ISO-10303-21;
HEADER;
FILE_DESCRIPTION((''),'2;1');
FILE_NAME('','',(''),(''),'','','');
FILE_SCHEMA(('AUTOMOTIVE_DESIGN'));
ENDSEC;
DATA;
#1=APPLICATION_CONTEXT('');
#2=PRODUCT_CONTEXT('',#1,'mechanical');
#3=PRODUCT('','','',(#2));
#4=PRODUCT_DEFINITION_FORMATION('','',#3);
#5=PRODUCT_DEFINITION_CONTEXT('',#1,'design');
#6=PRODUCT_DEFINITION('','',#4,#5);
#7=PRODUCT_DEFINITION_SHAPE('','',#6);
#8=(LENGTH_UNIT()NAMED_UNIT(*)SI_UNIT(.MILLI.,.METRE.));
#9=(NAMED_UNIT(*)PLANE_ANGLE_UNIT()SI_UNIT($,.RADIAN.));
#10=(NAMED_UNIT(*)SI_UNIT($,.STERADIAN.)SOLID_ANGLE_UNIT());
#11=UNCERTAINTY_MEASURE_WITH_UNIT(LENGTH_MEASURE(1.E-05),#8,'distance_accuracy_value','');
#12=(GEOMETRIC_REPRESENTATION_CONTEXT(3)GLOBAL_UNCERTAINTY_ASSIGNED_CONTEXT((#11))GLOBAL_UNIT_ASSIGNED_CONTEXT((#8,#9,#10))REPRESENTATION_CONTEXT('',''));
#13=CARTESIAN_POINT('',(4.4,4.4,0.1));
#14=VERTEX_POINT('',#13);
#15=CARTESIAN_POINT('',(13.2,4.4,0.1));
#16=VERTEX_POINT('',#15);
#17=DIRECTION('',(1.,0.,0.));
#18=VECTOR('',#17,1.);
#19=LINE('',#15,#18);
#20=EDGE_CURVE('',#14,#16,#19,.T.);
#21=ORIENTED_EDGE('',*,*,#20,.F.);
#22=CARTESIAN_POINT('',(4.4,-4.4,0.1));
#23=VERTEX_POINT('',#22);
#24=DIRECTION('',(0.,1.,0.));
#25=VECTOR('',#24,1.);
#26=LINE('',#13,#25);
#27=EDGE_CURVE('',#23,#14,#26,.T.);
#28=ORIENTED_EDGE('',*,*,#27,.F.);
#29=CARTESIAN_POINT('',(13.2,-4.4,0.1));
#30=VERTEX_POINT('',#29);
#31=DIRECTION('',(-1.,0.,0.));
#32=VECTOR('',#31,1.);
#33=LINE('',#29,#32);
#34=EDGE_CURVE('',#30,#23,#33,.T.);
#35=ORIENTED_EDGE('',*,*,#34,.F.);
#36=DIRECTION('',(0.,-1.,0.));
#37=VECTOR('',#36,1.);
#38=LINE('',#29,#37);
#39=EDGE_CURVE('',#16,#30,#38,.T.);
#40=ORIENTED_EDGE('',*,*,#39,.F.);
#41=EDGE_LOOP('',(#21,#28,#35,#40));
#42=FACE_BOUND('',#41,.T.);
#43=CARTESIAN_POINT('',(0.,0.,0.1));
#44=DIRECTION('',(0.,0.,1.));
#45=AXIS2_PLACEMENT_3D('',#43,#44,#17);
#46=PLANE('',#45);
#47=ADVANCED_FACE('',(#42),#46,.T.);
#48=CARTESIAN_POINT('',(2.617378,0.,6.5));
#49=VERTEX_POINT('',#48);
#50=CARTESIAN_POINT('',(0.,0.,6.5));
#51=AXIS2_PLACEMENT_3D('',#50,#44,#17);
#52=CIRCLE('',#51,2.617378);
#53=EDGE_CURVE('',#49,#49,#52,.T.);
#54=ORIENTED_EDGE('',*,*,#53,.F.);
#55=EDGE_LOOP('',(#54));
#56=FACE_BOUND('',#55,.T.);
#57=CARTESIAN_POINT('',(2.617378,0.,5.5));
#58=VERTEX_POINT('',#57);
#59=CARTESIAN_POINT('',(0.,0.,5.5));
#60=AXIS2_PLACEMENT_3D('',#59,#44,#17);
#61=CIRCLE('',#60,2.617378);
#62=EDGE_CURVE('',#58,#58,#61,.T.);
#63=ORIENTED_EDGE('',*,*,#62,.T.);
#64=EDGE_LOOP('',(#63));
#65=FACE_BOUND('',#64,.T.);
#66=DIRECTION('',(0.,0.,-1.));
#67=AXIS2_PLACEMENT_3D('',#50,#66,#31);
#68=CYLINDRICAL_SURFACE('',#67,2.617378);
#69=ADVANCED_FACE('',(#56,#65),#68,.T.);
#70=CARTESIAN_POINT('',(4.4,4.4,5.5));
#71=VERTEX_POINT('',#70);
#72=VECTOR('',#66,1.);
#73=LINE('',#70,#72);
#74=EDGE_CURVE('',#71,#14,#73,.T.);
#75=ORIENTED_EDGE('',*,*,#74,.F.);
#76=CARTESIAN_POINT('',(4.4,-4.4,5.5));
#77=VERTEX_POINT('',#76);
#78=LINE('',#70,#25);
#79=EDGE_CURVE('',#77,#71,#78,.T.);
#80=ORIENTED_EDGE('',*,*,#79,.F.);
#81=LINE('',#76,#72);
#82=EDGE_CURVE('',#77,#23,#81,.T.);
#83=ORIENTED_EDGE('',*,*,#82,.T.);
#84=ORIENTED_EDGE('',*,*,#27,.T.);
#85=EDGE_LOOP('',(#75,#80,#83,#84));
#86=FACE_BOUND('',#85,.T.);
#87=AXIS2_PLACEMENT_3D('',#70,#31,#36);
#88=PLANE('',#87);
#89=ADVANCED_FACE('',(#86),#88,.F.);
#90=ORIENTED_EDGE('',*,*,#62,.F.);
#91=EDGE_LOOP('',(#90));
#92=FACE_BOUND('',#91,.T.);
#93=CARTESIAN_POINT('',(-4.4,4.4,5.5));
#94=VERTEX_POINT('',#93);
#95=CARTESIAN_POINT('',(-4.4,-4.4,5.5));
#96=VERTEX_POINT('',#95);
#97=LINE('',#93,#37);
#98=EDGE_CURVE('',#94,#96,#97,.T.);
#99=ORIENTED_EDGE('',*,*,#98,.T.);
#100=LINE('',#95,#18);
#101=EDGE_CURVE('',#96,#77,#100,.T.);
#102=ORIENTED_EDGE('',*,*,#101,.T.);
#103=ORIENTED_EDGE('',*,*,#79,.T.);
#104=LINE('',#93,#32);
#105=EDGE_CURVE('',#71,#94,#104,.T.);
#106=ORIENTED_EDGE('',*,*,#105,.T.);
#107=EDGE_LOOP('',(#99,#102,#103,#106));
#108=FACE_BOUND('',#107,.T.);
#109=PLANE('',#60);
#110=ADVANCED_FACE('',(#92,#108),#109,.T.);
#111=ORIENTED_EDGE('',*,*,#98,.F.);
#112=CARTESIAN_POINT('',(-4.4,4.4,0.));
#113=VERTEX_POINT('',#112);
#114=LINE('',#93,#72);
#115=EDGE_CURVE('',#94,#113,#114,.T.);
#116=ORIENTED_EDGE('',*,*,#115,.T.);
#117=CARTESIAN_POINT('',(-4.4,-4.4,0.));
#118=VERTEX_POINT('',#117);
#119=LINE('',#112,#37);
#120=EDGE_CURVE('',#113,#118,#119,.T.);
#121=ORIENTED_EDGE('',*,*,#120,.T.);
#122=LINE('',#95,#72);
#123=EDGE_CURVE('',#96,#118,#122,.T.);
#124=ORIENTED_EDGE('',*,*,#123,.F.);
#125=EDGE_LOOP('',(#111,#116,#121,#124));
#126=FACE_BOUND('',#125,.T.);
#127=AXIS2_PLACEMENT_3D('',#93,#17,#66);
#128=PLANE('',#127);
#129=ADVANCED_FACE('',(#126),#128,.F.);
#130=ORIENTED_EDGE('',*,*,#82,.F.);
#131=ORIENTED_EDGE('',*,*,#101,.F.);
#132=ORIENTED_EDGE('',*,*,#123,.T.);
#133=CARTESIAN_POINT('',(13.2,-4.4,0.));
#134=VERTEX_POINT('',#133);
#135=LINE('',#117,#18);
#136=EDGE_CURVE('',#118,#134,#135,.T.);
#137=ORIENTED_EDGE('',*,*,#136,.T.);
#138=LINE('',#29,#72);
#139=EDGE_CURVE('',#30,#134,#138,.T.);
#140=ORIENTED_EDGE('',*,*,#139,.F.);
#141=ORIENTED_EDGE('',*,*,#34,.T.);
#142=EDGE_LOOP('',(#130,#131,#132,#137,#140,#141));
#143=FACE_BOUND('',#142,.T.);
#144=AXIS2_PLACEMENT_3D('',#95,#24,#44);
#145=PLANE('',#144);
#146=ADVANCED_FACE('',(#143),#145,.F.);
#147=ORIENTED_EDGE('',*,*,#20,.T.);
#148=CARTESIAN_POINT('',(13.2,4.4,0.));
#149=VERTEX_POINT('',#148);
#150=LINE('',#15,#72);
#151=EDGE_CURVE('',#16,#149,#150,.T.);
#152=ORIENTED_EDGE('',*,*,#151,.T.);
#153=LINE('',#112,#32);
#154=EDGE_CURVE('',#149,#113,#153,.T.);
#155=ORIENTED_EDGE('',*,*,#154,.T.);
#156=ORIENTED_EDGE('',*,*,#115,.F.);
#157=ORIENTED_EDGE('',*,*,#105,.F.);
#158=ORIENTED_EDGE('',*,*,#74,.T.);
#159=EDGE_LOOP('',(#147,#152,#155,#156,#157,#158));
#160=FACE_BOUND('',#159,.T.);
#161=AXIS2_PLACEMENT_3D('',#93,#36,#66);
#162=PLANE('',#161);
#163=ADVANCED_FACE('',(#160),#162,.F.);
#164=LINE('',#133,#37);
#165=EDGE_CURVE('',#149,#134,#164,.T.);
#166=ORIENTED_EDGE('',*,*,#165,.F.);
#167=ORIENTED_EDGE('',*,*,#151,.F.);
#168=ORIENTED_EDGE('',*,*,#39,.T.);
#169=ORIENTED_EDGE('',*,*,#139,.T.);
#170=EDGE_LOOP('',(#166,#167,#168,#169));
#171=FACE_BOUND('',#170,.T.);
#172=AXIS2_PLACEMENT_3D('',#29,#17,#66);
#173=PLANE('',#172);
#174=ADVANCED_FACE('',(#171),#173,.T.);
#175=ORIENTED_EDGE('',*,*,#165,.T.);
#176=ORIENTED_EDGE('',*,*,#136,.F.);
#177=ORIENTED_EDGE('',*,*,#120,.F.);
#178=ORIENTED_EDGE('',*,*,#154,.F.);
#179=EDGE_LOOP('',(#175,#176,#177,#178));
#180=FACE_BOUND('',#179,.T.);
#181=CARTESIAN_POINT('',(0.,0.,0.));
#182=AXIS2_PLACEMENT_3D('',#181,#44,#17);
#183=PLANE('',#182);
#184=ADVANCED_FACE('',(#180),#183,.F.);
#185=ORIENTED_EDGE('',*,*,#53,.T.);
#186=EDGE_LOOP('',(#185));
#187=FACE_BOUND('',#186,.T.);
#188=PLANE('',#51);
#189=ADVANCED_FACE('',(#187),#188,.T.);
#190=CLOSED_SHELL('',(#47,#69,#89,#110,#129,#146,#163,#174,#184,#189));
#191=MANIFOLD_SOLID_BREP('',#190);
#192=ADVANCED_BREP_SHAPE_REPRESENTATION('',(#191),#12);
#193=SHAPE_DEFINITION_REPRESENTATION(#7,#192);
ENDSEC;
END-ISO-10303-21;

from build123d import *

# Parameters (mm, degrees)
SKETCH1_W           = 8.8
SKETCH1_H           = 8.8
BOSS_EXTRUDE1_DEPTH = 5.5
SKETCH2_W           = 17.6
SKETCH2_H           = 8.8
BOSS_EXTRUDE2_DEPTH = 0.1
SKETCH3_R           = 2.617377511
BOSS_EXTRUDE3_DEPTH = 1


with BuildPart() as part:
    # Sketch1 → Boss-Extrude1 (new body)
    with BuildSketch(Plane.XY):
        Rectangle(SKETCH1_W, SKETCH1_H)
    extrude(amount=BOSS_EXTRUDE1_DEPTH)

    # Sketch2 → Boss-Extrude2 (add)
    with BuildSketch(Plane(origin=(0, 0, 0), x_dir=(-1, 0, 0), z_dir=(0, 0, -1))):
        with Locations((-4.4, 0)):
            Rectangle(SKETCH2_W, SKETCH2_H)
    extrude(amount=-BOSS_EXTRUDE2_DEPTH)

    # Sketch3 → Boss-Extrude3 (add)
    with BuildSketch(Plane.XY.offset(5.5)):
        Circle(SKETCH3_R)
    extrude(amount=BOSS_EXTRUDE3_DEPTH)


solid = part.part
